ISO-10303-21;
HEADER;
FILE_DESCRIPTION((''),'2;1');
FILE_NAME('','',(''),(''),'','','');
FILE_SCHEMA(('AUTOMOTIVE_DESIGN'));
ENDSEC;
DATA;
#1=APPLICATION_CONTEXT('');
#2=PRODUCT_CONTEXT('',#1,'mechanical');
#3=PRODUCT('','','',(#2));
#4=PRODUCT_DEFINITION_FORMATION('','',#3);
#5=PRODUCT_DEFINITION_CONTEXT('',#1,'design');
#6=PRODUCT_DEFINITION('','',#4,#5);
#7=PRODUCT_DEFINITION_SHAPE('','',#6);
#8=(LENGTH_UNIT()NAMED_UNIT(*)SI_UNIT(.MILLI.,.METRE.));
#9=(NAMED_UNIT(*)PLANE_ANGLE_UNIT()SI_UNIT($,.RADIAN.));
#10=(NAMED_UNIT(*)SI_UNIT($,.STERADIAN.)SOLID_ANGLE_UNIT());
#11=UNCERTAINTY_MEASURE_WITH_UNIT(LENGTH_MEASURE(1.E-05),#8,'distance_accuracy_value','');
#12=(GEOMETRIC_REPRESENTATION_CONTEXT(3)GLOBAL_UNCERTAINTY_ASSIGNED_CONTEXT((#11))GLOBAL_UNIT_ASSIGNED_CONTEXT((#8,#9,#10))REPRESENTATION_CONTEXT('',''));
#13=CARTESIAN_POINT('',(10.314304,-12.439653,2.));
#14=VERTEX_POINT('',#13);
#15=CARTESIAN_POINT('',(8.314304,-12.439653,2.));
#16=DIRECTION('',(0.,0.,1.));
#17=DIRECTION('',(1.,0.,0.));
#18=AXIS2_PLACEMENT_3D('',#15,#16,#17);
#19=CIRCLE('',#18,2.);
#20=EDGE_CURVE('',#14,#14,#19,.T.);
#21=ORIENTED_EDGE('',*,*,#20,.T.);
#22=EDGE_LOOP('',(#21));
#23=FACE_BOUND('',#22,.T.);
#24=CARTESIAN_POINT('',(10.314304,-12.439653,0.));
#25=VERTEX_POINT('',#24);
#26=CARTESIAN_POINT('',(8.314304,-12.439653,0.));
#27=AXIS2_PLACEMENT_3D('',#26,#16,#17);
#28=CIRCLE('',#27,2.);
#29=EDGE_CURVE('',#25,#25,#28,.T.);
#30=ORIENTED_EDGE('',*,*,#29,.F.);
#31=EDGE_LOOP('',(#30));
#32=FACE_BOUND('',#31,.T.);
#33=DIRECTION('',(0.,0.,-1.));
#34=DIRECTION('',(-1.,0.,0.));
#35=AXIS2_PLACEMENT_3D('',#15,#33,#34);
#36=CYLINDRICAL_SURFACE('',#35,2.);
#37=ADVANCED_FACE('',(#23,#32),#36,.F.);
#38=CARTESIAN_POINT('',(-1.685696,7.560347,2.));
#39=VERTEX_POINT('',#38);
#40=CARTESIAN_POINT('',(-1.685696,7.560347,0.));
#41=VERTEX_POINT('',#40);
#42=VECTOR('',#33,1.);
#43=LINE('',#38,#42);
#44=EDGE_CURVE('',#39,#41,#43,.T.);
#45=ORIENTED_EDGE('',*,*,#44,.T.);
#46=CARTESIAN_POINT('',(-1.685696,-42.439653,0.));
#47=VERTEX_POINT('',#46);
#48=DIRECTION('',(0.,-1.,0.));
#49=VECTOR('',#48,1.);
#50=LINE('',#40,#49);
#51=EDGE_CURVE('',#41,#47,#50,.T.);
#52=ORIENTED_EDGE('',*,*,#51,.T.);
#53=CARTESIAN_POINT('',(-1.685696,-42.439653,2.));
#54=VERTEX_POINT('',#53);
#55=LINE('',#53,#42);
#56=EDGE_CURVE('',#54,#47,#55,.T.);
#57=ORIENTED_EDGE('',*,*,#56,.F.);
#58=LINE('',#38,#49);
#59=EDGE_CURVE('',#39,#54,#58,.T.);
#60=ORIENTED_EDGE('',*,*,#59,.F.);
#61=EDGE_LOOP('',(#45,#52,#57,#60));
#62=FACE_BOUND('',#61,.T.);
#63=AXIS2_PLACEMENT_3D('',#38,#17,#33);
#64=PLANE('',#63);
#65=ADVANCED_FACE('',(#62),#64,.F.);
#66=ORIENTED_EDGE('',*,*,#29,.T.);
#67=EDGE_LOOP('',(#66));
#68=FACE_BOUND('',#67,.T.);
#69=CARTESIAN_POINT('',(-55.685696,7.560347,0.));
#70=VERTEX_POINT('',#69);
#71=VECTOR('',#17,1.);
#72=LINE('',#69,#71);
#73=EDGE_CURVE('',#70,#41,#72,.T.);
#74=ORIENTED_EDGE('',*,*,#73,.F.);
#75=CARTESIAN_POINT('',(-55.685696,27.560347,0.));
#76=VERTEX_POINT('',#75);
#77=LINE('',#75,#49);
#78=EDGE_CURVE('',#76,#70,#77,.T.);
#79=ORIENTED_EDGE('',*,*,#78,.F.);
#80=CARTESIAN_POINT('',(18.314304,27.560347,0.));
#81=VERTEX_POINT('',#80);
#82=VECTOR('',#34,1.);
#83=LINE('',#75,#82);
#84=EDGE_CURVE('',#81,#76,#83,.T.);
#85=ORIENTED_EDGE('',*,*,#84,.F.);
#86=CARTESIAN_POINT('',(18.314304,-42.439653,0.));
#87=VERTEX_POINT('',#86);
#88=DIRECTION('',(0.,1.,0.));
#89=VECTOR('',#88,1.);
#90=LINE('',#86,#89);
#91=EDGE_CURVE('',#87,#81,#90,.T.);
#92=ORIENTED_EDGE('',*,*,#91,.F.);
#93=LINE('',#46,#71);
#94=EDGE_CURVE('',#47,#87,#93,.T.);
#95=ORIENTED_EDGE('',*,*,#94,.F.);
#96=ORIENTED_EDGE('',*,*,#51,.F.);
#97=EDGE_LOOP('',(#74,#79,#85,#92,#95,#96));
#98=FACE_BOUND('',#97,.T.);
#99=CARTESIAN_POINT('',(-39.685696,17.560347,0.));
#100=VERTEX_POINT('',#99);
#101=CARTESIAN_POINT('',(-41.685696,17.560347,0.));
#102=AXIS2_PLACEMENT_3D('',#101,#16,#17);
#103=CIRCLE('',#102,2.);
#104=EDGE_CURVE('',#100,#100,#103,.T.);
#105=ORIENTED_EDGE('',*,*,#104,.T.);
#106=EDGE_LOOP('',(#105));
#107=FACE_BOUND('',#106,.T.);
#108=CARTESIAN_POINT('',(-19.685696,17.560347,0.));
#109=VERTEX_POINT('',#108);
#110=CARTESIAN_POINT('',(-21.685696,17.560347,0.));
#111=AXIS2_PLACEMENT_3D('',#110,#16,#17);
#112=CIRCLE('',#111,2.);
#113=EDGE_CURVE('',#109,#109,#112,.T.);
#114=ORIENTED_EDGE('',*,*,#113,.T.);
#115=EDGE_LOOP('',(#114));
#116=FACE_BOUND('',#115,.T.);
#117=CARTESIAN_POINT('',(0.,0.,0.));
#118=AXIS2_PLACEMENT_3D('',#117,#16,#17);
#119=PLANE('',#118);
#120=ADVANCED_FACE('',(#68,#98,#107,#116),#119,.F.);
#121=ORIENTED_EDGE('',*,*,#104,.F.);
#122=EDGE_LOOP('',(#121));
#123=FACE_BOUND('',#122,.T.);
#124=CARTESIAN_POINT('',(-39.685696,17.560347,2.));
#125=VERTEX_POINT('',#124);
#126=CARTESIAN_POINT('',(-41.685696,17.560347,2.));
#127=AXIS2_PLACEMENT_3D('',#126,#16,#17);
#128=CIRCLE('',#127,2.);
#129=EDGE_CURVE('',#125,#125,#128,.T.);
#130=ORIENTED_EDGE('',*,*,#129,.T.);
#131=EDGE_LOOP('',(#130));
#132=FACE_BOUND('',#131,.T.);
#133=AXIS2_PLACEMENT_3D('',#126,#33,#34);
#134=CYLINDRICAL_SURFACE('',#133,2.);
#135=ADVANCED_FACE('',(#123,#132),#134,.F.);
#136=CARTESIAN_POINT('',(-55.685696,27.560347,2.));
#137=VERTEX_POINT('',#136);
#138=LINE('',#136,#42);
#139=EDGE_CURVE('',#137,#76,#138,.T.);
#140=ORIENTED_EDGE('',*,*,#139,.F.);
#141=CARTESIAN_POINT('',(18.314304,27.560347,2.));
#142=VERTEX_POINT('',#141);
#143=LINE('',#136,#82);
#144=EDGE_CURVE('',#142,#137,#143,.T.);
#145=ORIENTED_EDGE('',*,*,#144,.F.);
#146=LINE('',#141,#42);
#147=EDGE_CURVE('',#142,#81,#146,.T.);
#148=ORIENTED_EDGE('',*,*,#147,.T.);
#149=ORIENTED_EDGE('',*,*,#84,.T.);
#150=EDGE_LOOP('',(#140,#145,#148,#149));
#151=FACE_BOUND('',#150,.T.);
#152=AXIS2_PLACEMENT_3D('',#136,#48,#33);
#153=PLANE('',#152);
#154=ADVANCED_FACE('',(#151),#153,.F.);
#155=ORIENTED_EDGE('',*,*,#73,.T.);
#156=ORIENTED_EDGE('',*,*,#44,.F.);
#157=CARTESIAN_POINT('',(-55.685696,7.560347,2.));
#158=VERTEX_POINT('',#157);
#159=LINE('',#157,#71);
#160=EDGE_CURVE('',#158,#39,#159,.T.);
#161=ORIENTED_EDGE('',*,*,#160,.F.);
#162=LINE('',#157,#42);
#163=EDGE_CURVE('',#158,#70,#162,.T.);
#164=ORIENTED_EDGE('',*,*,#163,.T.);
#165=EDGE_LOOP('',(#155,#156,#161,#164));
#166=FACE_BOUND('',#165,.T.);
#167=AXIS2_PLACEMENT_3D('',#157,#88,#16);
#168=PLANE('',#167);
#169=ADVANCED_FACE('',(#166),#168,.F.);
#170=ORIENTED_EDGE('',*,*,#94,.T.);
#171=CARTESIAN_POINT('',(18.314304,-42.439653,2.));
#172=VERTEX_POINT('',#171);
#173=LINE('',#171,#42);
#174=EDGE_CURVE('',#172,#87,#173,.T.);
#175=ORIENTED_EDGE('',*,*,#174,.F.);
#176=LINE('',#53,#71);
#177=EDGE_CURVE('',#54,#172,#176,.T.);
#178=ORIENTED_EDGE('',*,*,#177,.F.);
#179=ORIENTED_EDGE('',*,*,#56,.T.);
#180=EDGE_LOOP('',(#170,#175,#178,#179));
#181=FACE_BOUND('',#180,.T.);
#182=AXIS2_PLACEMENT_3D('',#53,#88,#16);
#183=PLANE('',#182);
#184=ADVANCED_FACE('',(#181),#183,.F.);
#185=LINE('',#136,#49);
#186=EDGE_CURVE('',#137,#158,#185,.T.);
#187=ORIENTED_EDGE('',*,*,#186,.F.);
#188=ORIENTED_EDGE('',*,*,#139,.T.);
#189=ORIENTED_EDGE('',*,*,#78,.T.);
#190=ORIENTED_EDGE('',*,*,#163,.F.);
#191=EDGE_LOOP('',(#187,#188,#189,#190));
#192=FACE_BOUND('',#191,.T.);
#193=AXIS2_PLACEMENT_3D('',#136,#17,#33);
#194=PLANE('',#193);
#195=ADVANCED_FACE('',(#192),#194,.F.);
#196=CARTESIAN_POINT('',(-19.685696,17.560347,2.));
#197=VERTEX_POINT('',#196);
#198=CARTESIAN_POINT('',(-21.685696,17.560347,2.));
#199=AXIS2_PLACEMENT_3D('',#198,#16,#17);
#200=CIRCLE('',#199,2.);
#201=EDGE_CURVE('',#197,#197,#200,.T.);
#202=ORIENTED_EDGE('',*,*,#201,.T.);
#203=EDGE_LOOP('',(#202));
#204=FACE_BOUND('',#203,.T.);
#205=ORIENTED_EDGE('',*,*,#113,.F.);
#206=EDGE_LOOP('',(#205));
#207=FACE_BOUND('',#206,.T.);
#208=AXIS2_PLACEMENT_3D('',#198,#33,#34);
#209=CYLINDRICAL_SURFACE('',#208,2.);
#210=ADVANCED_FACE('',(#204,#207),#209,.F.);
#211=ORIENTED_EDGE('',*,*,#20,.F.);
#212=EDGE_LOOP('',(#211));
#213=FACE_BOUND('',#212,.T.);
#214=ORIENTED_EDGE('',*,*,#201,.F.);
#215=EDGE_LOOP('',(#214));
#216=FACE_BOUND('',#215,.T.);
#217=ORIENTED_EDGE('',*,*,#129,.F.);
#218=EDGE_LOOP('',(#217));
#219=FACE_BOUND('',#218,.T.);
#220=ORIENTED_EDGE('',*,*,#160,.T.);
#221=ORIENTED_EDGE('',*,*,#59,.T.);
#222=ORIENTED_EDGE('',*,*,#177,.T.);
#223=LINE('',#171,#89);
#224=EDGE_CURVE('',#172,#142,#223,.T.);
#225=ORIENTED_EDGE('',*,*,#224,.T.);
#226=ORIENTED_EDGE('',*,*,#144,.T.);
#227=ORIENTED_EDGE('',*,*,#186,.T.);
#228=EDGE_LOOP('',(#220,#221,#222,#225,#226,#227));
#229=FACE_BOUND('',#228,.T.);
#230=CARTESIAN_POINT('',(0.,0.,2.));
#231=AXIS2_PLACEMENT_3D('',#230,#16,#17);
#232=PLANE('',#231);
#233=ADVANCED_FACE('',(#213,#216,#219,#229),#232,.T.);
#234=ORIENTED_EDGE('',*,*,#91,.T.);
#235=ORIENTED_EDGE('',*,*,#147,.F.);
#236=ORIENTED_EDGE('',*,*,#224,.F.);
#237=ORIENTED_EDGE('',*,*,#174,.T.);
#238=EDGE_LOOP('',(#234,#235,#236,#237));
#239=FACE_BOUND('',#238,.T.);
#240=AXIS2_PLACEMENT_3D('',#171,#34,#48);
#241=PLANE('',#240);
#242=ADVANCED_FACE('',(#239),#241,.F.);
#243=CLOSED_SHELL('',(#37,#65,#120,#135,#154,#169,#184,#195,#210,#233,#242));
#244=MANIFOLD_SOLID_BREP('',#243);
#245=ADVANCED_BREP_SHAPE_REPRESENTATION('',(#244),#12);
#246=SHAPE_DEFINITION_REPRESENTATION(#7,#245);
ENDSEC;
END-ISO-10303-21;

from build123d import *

# Parameters (mm, degrees)
SKETCH_1_R      = 2
EXTRUDE_1_DEPTH = 2


with BuildPart() as part:
    # 草图1 → 凸台-拉伸1 (new body)
    with BuildSketch(Plane.XY):
        Polygon((-55.685696482, 27.560346603), (-55.685696482, 7.560346603), (-1.685696482, 7.560346603), (-1.685696482, -42.439653397), (18.314303518, -42.439653397), (18.314303518, 27.560346603), align=None)
        with Locations((8.314303518, -12.439653397)):
            Circle(SKETCH_1_R, mode=Mode.SUBTRACT)
        with Locations((-21.685696483, 17.560346603)):
            Circle(SKETCH_1_R, mode=Mode.SUBTRACT)
        with Locations((-41.685696483, 17.560346603)):
            Circle(SKETCH_1_R, mode=Mode.SUBTRACT)
    extrude(amount=EXTRUDE_1_DEPTH)


solid = part.part
